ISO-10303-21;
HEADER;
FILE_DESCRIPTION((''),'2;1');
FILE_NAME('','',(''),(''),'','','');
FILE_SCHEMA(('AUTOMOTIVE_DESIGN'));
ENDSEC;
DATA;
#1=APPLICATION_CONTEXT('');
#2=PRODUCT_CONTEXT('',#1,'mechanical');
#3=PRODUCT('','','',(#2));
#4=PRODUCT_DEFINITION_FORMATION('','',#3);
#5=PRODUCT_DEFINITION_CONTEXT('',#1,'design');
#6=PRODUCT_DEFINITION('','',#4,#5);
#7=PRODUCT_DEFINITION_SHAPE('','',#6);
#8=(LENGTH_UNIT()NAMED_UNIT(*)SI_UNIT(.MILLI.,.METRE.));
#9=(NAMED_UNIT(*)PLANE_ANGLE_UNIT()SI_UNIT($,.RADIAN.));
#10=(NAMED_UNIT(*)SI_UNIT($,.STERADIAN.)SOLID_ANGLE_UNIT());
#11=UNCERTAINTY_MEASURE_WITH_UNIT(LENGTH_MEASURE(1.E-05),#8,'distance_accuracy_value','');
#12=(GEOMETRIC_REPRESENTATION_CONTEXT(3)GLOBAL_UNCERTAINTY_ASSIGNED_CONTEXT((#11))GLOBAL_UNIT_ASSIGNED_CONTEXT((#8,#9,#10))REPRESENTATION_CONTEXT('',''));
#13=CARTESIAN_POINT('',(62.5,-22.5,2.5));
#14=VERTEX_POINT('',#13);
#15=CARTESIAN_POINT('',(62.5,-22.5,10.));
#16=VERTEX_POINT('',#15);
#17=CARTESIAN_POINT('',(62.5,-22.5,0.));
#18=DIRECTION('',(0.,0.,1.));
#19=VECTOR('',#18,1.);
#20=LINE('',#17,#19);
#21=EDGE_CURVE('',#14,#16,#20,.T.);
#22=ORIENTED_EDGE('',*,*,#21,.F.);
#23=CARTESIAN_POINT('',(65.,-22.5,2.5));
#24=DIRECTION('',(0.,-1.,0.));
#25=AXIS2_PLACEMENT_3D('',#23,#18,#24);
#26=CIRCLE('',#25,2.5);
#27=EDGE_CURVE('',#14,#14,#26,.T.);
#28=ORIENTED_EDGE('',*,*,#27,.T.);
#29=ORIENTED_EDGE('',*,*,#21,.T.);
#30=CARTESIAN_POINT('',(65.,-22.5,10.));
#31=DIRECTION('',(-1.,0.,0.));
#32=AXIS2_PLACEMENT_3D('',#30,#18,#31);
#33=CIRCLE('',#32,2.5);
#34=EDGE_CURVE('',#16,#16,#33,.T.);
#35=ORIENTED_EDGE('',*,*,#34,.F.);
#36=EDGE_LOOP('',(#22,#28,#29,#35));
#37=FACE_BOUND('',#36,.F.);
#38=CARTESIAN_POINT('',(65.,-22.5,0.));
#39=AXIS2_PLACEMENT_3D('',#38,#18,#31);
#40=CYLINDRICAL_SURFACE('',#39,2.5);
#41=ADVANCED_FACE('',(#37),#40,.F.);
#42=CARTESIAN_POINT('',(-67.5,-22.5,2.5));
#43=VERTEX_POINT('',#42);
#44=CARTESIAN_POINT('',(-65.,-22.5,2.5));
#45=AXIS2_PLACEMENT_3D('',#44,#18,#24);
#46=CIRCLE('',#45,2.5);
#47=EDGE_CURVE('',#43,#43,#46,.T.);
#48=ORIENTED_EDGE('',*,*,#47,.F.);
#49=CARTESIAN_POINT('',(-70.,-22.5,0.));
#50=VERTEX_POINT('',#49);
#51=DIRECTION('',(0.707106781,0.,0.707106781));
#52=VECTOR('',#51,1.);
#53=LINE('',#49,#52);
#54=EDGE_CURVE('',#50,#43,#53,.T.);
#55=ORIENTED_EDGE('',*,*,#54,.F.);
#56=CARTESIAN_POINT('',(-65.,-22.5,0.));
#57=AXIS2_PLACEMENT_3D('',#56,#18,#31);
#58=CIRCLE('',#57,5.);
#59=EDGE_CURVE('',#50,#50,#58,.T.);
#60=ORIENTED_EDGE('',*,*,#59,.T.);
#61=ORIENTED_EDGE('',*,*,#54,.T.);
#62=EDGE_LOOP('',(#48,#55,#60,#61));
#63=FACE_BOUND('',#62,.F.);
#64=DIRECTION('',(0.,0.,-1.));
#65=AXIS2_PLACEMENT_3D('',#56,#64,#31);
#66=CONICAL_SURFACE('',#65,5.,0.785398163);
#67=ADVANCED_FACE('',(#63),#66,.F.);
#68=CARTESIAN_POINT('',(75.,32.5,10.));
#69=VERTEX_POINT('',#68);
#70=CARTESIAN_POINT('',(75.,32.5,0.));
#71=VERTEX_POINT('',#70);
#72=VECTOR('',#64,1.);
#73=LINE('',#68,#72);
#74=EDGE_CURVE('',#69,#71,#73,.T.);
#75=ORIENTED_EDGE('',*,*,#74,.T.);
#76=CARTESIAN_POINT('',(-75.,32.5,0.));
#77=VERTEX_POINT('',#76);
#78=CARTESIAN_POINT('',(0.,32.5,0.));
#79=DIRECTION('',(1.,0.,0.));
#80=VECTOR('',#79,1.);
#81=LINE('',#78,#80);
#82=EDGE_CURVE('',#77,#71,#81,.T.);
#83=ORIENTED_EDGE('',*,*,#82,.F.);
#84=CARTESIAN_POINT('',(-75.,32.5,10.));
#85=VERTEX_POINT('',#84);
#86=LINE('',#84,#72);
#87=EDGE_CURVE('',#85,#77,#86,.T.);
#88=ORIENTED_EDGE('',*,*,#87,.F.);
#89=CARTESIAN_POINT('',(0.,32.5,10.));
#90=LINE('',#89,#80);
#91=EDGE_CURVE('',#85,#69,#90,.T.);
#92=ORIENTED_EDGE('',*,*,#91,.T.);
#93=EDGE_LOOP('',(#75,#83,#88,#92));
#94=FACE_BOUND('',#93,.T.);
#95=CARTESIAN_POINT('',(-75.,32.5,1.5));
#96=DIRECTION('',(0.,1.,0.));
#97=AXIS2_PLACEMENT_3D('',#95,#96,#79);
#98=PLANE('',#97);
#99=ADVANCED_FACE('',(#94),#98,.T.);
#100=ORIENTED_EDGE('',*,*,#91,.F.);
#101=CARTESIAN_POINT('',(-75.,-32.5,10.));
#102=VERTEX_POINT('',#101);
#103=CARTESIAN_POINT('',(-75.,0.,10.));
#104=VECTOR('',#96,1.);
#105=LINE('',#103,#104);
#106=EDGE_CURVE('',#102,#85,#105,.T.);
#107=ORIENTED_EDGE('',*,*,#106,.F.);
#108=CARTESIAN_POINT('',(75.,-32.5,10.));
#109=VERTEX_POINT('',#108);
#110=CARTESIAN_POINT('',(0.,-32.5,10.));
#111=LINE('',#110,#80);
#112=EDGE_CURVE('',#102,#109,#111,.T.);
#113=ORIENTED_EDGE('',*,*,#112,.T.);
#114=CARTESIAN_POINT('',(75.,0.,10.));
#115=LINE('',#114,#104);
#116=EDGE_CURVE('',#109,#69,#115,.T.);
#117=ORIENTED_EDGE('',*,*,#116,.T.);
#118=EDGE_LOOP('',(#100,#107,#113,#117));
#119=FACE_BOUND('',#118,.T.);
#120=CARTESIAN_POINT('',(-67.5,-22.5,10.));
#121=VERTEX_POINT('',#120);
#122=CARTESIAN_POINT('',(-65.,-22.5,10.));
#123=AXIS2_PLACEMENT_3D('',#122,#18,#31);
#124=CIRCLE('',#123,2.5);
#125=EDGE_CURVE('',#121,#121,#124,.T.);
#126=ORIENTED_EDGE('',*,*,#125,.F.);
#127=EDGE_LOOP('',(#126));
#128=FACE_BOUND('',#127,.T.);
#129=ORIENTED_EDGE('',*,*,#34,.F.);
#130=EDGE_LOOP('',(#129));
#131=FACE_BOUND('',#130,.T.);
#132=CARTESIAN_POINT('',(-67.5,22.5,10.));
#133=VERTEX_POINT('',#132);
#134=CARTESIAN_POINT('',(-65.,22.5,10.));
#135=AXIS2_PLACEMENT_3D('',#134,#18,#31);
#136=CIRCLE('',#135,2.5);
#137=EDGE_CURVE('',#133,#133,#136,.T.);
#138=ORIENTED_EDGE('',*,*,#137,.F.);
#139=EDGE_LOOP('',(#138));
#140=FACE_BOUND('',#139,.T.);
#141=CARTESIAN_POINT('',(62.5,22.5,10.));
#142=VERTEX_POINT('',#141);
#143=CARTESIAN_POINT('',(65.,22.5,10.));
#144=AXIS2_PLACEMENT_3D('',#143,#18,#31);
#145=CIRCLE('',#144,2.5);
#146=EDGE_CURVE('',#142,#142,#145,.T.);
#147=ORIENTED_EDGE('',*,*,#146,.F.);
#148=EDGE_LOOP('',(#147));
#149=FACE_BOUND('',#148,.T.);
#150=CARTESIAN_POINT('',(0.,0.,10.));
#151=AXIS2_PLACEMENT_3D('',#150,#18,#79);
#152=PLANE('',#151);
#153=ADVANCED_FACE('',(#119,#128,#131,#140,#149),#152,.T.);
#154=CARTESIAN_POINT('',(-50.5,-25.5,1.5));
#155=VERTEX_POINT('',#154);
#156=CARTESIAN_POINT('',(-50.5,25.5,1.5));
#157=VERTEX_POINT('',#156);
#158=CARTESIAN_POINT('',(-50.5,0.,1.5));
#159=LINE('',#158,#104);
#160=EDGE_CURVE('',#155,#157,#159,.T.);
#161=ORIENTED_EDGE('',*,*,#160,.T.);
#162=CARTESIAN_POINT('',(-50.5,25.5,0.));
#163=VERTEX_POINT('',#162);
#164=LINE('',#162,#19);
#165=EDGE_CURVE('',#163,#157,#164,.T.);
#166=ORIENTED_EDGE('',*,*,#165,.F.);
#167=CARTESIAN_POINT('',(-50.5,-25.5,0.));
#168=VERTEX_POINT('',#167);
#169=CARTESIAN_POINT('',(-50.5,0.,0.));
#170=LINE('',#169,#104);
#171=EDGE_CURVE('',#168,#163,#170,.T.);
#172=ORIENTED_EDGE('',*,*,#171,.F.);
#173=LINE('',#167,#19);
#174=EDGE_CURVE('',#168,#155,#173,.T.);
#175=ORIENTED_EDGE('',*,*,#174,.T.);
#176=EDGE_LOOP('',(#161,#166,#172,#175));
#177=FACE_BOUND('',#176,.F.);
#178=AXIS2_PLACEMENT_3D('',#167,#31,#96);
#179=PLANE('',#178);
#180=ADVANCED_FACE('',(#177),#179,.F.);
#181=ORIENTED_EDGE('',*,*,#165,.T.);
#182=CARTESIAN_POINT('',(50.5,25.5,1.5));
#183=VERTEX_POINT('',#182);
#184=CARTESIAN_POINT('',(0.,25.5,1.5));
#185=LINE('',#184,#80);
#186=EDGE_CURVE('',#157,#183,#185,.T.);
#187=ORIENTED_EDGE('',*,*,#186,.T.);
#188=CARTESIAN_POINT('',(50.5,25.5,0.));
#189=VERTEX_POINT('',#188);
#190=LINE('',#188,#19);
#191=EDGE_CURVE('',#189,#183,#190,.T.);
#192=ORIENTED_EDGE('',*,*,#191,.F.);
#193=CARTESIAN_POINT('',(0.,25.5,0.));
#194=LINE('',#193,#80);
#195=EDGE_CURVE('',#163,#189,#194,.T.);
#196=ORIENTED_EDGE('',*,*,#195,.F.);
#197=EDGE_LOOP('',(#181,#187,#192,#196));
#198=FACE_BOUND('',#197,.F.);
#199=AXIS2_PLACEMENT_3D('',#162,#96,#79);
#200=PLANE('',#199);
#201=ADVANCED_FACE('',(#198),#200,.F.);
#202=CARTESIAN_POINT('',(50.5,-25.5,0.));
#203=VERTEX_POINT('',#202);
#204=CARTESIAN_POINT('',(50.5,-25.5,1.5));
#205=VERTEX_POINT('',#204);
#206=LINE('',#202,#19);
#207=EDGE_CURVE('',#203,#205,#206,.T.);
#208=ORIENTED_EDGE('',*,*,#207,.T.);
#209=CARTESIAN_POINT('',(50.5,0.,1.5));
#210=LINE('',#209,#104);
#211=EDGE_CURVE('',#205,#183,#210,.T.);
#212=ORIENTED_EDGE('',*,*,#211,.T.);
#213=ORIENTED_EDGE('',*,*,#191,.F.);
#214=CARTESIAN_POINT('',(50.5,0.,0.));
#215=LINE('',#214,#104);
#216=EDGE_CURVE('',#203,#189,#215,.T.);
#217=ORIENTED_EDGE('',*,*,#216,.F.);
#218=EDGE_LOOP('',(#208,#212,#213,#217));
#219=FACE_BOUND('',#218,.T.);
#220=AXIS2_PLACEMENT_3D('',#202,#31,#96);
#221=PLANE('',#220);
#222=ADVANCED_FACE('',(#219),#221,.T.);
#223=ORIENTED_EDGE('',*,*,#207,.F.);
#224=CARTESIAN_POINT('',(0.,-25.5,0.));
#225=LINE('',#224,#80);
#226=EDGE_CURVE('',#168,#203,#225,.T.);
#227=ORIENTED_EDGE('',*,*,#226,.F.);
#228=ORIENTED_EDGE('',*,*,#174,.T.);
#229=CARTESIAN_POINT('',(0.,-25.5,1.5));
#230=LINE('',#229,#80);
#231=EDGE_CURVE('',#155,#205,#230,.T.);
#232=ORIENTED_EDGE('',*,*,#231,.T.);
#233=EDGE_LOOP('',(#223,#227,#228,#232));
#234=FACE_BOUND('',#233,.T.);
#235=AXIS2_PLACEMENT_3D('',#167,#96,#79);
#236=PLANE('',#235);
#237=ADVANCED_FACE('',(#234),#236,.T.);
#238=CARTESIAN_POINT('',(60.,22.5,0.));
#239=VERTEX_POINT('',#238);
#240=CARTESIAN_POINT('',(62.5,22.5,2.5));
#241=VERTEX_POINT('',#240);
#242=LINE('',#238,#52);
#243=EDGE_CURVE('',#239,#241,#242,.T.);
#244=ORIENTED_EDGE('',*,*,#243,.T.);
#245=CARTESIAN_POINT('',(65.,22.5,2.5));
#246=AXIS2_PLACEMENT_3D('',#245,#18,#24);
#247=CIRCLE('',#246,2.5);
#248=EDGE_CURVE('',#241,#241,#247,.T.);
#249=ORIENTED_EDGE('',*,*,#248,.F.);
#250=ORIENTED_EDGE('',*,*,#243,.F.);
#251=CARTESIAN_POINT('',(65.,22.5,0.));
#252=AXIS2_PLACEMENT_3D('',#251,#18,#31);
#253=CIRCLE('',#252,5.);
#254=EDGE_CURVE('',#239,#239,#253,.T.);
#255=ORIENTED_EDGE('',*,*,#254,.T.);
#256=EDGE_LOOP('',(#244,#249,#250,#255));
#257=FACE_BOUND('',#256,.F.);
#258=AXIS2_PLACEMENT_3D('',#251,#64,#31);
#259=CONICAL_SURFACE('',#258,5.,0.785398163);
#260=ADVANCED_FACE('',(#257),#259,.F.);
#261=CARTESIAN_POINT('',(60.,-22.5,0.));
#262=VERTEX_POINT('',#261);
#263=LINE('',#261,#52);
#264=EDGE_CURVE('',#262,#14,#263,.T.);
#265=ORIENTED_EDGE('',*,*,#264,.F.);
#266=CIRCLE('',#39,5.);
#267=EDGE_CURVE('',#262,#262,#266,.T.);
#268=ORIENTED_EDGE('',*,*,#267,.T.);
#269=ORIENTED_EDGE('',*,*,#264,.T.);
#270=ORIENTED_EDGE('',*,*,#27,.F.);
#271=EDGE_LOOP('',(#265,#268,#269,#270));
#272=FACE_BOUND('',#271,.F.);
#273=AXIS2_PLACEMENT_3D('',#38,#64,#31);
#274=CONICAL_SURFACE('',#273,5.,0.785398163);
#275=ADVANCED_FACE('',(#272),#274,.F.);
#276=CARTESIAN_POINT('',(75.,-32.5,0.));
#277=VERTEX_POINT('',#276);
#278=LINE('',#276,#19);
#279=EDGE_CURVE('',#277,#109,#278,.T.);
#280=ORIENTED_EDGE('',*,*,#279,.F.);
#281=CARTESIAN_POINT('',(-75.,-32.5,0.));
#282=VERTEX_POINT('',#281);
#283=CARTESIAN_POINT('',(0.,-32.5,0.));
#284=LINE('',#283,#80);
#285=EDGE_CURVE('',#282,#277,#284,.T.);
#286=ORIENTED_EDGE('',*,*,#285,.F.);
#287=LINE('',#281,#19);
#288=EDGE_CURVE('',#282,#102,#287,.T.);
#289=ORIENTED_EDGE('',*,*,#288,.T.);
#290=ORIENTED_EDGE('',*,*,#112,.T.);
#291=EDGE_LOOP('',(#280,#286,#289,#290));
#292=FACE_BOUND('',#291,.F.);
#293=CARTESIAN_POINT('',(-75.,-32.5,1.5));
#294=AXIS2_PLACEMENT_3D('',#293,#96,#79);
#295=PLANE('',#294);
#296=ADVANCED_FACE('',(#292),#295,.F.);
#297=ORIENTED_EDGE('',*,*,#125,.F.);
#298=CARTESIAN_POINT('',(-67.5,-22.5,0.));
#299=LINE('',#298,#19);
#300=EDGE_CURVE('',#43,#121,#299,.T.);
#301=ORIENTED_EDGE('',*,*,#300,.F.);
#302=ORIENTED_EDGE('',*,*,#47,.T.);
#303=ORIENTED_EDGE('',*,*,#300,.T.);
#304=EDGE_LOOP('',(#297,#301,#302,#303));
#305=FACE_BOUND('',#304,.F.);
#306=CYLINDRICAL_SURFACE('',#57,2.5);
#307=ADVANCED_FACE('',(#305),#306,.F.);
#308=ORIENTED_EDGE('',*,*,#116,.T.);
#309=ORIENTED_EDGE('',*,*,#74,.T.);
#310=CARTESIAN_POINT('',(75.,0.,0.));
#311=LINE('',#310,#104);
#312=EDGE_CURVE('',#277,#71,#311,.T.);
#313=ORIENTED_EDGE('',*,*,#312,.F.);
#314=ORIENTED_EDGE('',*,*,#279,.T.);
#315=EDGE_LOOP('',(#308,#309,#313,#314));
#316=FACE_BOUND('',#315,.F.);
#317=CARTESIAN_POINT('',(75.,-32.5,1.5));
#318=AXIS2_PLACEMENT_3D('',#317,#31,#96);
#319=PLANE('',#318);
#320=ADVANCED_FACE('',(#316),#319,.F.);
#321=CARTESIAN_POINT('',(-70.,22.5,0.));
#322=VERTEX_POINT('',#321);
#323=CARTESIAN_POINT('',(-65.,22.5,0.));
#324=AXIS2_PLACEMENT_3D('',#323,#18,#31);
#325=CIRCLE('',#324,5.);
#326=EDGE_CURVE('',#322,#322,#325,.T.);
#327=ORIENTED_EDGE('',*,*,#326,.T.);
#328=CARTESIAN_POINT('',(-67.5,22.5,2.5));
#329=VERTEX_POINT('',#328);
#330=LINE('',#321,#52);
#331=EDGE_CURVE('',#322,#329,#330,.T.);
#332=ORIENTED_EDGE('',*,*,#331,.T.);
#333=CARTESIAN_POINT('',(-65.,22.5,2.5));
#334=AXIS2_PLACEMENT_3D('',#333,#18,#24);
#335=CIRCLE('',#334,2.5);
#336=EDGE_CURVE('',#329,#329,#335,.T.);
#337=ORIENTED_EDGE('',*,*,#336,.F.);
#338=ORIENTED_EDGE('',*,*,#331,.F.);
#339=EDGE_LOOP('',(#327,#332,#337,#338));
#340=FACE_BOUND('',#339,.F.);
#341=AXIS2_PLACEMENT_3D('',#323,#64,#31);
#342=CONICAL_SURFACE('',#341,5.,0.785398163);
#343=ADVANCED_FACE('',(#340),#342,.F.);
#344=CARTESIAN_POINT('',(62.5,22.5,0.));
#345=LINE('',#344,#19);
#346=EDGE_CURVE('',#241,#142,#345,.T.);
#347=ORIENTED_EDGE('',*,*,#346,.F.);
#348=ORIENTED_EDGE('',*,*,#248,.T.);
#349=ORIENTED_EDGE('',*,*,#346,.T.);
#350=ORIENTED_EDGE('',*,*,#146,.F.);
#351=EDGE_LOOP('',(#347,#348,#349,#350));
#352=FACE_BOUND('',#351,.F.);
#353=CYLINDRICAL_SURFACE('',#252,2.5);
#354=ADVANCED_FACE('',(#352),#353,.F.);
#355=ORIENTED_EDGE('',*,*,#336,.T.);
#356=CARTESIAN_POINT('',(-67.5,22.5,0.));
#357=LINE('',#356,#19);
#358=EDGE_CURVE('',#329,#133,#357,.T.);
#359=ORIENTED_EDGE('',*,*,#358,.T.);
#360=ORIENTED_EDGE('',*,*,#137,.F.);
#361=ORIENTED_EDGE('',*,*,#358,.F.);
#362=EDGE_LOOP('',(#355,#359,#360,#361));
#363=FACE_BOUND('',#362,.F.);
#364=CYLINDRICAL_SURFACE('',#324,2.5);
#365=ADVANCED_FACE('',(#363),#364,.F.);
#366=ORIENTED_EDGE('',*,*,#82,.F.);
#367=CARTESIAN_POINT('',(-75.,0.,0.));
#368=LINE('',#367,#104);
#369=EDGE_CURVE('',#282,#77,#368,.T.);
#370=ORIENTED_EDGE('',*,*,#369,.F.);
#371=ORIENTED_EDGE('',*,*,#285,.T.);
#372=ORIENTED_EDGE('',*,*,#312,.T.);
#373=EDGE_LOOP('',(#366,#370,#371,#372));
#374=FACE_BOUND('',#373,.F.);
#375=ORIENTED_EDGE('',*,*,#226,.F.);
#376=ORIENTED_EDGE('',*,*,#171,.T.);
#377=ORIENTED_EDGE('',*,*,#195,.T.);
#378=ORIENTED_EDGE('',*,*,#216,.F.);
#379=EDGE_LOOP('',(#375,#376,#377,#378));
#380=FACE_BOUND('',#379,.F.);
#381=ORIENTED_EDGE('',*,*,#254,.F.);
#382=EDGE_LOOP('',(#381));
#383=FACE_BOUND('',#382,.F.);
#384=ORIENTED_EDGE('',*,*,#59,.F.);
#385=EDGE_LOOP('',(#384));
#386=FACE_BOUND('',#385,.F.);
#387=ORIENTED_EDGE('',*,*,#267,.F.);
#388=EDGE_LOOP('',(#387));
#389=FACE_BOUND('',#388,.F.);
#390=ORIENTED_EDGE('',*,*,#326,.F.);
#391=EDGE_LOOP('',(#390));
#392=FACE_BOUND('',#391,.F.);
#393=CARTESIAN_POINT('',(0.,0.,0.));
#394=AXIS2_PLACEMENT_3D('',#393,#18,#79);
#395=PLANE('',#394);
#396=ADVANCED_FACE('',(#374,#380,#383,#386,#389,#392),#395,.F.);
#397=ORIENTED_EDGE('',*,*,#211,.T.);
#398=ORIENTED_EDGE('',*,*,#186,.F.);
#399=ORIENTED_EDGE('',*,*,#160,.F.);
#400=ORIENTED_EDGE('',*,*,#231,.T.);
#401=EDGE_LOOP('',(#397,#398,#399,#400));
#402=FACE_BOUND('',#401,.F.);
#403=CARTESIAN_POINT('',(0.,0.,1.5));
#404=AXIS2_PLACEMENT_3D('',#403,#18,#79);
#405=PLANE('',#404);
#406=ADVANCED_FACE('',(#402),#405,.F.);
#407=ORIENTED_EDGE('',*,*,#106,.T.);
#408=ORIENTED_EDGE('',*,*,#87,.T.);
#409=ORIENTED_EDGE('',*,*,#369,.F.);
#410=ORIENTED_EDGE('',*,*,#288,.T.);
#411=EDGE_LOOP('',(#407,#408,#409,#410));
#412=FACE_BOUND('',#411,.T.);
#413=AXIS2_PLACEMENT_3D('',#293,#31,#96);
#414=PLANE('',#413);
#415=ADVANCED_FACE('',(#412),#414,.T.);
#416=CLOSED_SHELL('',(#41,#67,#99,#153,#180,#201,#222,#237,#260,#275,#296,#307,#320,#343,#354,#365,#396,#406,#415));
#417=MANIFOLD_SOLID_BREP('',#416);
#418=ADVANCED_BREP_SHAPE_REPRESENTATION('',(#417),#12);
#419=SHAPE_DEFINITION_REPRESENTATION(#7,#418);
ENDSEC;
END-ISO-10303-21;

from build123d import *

# Parameters (mm, degrees)
SKETCH_W         = 150
SKETCH_H         = 65
SKETCH_W_2       = 101
SKETCH_H_2       = 51
PAD_DEPTH        = 1.5
SKETCH001_W      = 150
SKETCH001_H      = 65
PAD001_DEPTH     = 8.5
HOLE_D           = 5
HOLE_DEPTH       = 25
HOLE_CSINK_D     = 10
HOLE_CSINK_ANGLE = 90


with BuildPart() as part:
    # Sketch → Pad (new body)
    with BuildSketch(Plane.XY):
        Rectangle(SKETCH_W, SKETCH_H)
        Rectangle(SKETCH_W_2, SKETCH_H_2, mode=Mode.SUBTRACT)
    extrude(amount=PAD_DEPTH)

    # Sketch001 (on Face10 of Pad) → Pad001 (join)
    with BuildSketch(Plane.XY.offset(1.5)):
        Rectangle(SKETCH001_W, SKETCH001_H)
    extrude(amount=PAD001_DEPTH)

    # Hole
    with Locations(Plane(origin=(0, 0, 0), x_dir=(1, 0, 0), z_dir=(0, 0, -1))):
        with Locations((-65, 22.5), (-65, -22.5), (65, 22.5), (65, -22.5)):
            CounterSinkHole(HOLE_D / 2, HOLE_CSINK_D / 2, depth=HOLE_DEPTH, counter_sink_angle=HOLE_CSINK_ANGLE)


solid = part.part
